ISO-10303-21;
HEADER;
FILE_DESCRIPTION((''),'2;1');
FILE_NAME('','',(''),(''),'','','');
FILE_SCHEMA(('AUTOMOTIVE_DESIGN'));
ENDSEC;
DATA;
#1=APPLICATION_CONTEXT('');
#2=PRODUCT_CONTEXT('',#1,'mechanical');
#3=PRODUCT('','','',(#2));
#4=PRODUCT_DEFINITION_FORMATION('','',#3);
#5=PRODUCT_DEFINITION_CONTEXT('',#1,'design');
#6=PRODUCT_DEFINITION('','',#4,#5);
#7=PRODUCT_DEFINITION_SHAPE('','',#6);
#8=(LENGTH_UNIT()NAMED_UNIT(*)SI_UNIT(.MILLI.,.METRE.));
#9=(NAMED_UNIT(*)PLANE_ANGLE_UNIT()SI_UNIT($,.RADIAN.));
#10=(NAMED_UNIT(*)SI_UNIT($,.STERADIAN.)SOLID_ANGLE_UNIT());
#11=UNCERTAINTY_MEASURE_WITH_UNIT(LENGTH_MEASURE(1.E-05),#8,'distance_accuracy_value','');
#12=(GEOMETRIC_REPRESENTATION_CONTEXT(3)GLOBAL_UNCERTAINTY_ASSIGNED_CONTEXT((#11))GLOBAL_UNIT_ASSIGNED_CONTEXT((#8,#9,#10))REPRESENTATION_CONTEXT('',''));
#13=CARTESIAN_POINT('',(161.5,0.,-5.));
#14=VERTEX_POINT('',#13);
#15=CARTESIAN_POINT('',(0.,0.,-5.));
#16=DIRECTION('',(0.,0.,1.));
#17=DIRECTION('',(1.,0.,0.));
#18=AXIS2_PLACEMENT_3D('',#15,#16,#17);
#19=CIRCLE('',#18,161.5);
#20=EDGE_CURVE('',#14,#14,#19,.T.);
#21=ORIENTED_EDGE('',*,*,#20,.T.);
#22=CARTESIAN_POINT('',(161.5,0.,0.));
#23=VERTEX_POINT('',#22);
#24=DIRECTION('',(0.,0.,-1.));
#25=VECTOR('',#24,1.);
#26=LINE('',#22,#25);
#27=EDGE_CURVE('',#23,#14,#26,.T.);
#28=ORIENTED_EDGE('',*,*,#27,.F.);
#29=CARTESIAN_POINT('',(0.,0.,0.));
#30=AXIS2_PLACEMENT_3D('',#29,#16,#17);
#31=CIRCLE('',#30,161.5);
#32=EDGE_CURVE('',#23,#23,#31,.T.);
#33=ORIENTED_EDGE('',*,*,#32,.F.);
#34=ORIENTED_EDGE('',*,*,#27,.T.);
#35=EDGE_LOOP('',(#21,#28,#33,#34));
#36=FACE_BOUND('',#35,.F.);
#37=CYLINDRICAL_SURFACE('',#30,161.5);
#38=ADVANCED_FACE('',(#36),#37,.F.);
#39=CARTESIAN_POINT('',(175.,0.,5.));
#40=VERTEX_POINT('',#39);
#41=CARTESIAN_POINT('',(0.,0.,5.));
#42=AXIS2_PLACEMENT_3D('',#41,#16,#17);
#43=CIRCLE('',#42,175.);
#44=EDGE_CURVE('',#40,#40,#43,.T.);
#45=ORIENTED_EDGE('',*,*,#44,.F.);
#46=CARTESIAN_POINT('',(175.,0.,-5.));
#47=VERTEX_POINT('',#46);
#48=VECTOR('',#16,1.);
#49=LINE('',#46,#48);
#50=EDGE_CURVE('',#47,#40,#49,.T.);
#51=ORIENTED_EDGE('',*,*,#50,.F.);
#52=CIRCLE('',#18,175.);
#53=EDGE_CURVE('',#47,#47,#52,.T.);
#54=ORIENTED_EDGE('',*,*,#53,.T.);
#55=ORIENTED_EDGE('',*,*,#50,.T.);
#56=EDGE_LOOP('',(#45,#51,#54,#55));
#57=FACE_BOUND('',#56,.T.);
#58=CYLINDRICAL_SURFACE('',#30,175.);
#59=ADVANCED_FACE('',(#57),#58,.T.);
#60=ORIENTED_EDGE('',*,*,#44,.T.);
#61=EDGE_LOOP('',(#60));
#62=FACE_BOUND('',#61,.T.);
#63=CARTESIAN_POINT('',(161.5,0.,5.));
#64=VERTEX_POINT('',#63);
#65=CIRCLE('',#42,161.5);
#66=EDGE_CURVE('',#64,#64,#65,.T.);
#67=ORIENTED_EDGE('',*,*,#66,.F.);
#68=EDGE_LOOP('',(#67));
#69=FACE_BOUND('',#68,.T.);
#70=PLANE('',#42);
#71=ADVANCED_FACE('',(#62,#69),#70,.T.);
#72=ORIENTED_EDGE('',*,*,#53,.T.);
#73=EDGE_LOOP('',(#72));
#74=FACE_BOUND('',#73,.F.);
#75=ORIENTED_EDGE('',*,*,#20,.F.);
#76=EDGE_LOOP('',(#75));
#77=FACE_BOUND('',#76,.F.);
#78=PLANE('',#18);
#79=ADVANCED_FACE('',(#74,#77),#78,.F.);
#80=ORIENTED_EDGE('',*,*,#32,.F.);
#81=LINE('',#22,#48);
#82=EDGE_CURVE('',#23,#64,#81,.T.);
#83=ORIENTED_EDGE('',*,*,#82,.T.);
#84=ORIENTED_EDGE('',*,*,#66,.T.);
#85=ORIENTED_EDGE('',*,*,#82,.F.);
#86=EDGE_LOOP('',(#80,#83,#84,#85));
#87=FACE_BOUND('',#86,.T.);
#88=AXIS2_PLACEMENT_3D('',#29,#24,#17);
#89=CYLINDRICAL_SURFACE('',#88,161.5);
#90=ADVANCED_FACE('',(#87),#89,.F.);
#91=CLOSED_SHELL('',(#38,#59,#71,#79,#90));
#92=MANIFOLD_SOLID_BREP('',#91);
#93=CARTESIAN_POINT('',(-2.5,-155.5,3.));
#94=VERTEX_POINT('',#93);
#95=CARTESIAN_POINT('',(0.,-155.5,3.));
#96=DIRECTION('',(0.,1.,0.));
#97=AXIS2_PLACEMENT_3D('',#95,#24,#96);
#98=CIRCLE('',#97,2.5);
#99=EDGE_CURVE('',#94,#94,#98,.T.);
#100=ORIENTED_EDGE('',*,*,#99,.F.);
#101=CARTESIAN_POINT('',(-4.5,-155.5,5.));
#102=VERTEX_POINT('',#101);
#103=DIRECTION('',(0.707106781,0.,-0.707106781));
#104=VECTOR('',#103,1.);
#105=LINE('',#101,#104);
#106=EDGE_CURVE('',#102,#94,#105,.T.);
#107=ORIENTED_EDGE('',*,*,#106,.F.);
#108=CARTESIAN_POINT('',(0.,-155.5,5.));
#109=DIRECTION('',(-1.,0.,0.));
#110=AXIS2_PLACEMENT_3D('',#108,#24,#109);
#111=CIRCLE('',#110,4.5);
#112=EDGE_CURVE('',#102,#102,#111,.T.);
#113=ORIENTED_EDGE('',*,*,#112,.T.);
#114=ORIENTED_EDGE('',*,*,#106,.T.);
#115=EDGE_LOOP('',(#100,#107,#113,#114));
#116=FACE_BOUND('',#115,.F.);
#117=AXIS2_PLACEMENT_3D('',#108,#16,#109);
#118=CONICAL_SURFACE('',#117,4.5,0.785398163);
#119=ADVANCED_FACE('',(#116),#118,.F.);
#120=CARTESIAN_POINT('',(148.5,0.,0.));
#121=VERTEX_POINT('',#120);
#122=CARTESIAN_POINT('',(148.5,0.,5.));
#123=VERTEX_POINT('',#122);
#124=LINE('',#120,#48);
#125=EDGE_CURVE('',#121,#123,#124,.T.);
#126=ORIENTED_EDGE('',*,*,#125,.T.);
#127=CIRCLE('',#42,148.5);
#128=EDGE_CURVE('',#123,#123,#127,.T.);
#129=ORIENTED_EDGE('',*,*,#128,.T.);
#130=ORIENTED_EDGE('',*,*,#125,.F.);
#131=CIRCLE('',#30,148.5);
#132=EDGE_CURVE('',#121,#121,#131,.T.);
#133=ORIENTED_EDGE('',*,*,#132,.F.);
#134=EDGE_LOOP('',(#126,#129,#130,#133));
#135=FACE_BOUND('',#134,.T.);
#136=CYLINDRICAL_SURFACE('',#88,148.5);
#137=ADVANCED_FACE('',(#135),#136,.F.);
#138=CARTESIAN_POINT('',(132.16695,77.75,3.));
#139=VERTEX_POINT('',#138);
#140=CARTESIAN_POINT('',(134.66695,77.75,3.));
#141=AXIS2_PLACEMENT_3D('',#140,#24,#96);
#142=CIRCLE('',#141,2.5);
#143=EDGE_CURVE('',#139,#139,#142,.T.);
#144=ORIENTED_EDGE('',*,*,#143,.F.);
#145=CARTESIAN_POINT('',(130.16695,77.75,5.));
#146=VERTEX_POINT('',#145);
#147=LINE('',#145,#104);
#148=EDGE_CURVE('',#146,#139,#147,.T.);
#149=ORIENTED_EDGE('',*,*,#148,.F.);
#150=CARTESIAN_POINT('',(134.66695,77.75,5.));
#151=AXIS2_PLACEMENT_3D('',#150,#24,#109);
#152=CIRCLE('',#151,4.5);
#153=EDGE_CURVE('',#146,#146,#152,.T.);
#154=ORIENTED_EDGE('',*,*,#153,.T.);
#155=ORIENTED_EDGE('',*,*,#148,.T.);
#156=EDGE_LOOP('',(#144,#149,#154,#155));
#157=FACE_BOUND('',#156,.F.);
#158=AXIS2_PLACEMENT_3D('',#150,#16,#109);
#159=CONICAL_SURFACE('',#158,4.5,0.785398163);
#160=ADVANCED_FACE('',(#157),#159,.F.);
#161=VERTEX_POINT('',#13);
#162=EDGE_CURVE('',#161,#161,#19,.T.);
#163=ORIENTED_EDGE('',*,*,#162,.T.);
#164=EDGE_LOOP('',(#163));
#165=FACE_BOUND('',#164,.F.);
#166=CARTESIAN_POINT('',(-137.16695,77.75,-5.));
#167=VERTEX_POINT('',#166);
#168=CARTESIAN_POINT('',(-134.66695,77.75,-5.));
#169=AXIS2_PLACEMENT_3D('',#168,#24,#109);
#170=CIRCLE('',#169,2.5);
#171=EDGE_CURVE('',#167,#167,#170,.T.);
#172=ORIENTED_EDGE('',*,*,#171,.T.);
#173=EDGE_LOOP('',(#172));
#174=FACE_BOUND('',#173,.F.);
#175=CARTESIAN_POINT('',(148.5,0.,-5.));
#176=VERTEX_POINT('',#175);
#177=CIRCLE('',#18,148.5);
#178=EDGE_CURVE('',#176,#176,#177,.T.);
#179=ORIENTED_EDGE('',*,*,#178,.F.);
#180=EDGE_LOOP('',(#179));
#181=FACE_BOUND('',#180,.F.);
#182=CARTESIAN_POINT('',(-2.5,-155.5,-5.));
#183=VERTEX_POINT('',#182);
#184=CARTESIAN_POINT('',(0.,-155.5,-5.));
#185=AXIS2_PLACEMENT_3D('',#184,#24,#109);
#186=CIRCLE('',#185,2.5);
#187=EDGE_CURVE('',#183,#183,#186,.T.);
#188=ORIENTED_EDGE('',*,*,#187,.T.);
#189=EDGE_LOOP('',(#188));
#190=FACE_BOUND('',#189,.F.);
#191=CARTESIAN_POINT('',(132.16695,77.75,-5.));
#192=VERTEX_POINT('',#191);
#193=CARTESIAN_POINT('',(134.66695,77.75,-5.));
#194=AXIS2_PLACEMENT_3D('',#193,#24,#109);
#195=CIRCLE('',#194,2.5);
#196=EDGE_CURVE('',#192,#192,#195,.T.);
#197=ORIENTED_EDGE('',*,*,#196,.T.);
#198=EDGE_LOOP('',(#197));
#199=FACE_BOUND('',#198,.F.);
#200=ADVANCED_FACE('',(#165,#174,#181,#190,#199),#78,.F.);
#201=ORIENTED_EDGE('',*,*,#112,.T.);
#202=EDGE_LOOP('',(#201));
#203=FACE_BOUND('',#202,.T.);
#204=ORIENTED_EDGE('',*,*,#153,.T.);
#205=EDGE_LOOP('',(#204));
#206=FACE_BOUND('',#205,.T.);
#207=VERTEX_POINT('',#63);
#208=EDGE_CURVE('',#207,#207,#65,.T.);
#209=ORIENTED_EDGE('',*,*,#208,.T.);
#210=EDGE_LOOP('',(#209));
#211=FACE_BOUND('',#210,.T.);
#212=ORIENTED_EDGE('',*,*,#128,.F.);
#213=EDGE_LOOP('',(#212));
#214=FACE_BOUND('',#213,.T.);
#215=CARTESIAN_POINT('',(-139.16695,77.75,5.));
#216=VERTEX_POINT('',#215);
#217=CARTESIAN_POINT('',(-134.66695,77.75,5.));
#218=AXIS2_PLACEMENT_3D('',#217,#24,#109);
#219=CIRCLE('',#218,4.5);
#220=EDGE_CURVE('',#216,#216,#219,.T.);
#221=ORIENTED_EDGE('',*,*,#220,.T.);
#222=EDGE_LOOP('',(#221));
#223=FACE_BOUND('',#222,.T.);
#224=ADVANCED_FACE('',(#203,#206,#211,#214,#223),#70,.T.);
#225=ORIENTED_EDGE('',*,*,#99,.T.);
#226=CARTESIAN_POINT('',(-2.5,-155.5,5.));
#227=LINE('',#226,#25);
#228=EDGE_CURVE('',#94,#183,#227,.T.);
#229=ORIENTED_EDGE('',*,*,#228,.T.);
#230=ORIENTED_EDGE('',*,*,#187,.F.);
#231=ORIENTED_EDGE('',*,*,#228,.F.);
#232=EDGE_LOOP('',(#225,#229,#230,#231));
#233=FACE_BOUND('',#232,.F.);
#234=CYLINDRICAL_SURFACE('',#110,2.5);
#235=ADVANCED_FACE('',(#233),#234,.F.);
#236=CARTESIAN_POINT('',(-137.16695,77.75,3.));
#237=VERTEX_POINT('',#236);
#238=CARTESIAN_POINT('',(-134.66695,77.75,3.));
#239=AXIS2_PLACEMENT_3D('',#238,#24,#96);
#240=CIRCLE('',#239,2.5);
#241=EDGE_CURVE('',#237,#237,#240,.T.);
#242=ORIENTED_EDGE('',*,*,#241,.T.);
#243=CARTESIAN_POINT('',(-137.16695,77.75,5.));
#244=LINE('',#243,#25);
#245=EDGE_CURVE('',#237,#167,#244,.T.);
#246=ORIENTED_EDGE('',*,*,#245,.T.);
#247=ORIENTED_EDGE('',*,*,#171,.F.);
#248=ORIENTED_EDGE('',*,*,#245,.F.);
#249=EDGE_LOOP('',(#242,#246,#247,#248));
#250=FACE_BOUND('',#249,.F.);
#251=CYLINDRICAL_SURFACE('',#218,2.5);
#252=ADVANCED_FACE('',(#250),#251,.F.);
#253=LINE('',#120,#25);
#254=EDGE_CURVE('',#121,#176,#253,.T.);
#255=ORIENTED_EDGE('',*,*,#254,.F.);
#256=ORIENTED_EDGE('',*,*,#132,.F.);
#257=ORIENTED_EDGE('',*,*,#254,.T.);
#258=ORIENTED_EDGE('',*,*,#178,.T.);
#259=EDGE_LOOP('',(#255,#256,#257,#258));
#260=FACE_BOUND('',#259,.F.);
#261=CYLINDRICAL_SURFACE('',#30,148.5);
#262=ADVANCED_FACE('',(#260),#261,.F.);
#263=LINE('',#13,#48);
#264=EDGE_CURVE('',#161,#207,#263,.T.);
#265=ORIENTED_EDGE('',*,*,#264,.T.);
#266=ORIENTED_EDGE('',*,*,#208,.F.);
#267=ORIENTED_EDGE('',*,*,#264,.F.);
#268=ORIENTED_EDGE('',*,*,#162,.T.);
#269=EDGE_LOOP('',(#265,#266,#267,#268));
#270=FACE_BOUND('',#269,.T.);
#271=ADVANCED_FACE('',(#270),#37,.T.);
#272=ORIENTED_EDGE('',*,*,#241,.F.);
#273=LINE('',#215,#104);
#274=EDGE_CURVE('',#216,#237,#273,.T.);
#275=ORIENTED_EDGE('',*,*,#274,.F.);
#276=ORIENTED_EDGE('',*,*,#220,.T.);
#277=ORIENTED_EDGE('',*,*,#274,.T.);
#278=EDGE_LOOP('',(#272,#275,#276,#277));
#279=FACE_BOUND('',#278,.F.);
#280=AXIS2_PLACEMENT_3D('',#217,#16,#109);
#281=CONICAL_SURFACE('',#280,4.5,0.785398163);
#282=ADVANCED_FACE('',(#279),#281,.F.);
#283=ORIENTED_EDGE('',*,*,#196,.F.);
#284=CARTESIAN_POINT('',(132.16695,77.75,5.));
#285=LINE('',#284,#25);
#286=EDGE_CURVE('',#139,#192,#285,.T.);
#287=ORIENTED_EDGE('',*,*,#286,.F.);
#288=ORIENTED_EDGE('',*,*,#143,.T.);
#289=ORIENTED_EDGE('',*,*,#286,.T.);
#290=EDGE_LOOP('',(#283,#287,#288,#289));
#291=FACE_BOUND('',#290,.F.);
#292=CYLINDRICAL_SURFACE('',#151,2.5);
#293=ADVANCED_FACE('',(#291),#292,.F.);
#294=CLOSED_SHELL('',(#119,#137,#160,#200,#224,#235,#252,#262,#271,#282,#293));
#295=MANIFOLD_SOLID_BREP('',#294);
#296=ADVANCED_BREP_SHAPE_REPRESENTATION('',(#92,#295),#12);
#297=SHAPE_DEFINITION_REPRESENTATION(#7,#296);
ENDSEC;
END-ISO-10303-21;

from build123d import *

# Parameters (mm, degrees)
F0_R           = 175
F0_R_2         = 161.5
F1_DEPTH       = 5
F1_DEPTH_BACK  = 5
F0_R_3         = 148.5
F2_DEPTH       = 5
F2_DEPTH_BACK  = 5
F4_D           = 5
F4_CSINK_D     = 9
F4_CSINK_ANGLE = 90


with BuildPart() as f1:
    # F0 (on Top) → F1 (new body, two sides)
    with BuildSketch(Plane.XY) as f1_sk:
        Circle(F0_R)
        Circle(F0_R_2, mode=Mode.SUBTRACT)
    extrude(amount=F1_DEPTH)
    extrude(f1_sk.sketch, amount=-F1_DEPTH_BACK)


with BuildPart() as f2:
    # F0 (on Top) → F2 (new body, two sides)
    with BuildSketch(Plane.XY) as f2_sk:
        Circle(F0_R_2)
        Circle(F0_R_3, mode=Mode.SUBTRACT)
    extrude(amount=F2_DEPTH)
    extrude(f2_sk.sketch, amount=-F2_DEPTH_BACK)

    # F4 (through all)
    with Locations(Plane.XY.offset(5)):
        with Locations((-134.66695, 77.75), (134.66695, 77.75), (0, -155.5)):
            CounterSinkHole(F4_D / 2, F4_CSINK_D / 2, counter_sink_angle=F4_CSINK_ANGLE)


solid = Compound([f1.part, f2.part])
